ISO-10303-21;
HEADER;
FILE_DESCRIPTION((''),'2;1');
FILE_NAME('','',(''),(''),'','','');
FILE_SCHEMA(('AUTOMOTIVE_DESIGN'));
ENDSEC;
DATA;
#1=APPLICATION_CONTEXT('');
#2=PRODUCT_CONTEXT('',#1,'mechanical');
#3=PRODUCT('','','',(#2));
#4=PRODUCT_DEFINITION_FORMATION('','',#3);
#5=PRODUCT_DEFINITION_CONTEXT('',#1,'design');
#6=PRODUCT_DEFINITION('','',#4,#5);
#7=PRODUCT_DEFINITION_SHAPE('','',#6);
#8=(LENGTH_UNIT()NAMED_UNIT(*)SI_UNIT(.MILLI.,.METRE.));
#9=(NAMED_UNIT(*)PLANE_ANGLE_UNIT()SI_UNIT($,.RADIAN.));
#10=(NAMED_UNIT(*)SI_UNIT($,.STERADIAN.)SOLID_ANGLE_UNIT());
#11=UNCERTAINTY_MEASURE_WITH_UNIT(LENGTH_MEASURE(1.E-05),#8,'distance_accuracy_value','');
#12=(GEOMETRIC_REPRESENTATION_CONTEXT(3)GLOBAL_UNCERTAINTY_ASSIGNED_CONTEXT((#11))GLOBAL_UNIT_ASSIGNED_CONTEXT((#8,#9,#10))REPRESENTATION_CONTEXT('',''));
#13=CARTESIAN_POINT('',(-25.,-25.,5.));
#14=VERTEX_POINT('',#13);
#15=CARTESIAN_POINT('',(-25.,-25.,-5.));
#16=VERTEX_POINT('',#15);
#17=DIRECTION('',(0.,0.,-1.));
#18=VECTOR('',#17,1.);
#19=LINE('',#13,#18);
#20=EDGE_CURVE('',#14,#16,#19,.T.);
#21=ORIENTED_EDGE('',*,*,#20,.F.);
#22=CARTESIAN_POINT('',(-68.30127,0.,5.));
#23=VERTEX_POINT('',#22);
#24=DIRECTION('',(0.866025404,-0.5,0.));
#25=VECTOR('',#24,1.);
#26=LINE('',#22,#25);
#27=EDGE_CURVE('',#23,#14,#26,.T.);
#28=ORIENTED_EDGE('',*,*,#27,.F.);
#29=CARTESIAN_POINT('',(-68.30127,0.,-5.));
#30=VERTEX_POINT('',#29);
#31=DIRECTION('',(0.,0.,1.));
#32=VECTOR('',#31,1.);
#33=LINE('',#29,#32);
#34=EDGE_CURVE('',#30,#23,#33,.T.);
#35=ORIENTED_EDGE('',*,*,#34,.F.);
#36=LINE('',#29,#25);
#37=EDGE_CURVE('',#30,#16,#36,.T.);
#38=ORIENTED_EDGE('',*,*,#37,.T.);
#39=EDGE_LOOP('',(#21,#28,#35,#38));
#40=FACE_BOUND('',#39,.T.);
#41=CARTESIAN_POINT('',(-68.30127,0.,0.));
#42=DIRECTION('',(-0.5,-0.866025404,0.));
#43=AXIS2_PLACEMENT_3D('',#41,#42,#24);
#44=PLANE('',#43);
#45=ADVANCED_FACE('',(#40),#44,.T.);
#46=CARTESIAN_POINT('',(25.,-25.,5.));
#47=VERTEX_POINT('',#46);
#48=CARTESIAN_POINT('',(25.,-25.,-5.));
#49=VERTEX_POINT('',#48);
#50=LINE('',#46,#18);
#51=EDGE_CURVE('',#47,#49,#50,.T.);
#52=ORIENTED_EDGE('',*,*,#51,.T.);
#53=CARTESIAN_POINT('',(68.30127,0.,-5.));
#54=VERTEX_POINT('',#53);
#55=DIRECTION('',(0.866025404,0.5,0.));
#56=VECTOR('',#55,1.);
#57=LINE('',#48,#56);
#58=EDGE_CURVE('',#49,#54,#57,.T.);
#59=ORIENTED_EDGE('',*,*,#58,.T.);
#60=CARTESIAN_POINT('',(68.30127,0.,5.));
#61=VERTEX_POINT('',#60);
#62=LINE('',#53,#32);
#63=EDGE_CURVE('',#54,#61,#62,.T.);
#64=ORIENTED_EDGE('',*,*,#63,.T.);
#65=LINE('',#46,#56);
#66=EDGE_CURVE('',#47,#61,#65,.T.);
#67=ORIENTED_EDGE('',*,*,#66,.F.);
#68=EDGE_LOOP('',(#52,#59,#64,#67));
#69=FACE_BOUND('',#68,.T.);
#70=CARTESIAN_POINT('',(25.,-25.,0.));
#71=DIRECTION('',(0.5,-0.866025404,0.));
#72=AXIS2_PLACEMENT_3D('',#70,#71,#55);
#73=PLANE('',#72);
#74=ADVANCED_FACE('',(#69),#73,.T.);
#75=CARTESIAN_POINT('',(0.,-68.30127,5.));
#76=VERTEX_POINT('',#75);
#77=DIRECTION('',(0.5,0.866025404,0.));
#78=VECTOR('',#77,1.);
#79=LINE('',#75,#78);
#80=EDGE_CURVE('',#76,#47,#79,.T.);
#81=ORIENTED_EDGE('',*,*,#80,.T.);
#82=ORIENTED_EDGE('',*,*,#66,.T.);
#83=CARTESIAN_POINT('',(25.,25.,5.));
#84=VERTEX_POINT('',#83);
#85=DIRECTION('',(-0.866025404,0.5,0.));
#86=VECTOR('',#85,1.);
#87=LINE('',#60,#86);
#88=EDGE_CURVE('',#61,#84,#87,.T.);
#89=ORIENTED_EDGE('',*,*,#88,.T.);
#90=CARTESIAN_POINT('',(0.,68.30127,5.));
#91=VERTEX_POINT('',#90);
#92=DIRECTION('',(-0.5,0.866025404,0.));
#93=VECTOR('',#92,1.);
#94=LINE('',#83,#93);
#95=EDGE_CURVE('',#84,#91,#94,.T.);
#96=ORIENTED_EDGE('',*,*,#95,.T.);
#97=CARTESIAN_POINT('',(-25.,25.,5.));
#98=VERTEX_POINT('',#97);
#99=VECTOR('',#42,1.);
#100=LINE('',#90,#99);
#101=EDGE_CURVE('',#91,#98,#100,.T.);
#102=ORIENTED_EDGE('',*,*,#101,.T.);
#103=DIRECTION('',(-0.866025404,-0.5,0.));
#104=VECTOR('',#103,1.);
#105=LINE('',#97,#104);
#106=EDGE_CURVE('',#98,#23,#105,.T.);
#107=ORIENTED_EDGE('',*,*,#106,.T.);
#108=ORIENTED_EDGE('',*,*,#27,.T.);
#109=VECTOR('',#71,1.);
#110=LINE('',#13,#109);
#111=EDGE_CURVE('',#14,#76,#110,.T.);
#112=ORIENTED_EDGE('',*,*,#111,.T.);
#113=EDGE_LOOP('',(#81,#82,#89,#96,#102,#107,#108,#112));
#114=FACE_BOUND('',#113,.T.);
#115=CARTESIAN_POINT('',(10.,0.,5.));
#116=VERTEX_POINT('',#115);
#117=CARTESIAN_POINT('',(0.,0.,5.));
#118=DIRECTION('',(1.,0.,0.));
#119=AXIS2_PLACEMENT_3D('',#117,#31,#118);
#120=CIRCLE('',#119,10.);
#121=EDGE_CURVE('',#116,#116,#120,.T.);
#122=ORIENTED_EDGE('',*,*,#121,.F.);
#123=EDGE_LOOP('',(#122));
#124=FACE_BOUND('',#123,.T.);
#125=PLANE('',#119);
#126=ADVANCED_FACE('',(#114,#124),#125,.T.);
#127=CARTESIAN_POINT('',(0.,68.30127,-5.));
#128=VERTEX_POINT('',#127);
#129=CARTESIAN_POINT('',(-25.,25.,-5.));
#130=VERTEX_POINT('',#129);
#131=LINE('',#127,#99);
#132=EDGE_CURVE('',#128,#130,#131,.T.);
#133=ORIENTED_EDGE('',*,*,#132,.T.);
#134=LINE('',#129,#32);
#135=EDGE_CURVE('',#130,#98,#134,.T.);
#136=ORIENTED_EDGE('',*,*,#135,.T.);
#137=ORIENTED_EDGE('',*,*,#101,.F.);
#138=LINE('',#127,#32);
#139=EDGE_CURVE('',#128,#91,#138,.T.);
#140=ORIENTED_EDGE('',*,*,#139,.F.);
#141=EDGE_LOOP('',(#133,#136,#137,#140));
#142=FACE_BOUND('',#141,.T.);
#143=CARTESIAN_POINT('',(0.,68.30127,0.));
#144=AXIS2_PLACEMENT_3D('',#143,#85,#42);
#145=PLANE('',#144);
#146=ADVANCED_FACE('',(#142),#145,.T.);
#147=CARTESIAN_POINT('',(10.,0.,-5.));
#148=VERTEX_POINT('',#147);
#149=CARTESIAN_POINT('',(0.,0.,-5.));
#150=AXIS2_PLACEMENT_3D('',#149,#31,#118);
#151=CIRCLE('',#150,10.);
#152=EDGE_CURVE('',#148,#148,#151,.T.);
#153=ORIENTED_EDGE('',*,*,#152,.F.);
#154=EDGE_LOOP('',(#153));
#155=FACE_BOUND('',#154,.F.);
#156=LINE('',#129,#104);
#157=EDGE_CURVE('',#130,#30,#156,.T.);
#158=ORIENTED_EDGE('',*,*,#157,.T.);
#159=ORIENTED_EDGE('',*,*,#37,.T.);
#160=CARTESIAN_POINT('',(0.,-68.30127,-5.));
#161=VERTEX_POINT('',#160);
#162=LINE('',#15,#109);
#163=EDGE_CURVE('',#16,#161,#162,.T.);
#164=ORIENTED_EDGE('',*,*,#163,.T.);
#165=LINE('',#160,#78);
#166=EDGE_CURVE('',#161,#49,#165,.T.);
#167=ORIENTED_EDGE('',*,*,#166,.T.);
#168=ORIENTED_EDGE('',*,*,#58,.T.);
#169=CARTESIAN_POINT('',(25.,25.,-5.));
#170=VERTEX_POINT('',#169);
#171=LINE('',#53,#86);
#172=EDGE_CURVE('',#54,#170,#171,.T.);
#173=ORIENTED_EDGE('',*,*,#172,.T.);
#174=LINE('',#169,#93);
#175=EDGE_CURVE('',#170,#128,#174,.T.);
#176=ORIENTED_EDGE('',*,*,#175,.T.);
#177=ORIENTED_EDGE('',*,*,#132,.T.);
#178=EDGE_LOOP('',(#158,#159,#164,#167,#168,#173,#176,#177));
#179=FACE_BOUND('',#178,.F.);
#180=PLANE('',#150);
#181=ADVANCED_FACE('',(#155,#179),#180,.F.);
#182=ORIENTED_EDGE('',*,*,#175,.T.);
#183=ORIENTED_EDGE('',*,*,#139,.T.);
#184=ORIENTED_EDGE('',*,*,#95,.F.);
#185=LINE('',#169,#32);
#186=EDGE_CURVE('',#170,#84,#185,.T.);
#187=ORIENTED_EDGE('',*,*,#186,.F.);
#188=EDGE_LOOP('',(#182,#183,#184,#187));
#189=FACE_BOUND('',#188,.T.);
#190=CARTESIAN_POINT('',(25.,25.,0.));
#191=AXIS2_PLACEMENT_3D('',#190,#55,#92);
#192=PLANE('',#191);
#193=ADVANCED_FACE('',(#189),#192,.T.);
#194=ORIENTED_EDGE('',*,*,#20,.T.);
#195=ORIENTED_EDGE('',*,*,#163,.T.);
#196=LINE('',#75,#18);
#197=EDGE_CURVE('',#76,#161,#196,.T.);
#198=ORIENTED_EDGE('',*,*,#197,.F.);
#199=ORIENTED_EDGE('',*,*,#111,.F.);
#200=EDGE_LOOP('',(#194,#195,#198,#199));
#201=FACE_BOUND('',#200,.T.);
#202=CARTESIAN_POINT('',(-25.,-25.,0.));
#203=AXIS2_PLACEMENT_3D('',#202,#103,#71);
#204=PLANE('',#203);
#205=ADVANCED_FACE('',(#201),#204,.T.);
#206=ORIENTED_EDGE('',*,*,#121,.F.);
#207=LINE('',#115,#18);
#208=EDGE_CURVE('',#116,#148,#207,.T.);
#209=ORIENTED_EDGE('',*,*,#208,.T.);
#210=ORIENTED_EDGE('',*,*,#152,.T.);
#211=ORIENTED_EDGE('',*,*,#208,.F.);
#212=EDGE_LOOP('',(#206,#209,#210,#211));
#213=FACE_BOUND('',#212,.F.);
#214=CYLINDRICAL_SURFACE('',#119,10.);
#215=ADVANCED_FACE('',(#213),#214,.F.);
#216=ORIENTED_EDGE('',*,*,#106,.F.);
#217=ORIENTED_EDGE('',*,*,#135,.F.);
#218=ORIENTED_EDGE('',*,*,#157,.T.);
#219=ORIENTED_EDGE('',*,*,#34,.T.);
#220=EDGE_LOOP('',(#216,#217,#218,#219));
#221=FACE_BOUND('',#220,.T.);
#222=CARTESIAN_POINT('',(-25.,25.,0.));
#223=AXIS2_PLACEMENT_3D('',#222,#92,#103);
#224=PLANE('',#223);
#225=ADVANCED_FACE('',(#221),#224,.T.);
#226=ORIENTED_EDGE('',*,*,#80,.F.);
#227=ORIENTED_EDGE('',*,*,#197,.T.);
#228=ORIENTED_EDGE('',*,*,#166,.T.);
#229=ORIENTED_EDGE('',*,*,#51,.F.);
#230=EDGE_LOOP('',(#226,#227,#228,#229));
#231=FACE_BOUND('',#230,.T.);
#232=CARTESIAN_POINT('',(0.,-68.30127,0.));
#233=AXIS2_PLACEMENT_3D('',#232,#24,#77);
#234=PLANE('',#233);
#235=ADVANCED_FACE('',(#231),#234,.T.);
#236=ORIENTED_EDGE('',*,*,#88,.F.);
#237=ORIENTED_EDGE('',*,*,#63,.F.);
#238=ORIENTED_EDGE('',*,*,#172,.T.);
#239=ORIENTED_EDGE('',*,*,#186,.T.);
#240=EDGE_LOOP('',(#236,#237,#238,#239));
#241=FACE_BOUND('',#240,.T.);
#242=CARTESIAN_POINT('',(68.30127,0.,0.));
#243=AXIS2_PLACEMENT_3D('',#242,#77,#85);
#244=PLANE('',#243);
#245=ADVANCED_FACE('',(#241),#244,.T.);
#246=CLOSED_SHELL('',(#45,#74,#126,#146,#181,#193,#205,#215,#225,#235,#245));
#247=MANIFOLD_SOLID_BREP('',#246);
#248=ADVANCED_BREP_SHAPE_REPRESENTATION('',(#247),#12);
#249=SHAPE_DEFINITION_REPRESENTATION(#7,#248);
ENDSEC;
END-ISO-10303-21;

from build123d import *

# Parameters (mm, degrees)
F0_W          = 50
F0_H          = 50
F1_DEPTH      = 5
F1_DEPTH_BACK = 5
F2_R          = 10
F3_DEPTH      = 10.001


with BuildPart() as f1:
    # F0 (on Top) → F1 (new body, two sides)
    with BuildSketch(Plane.XY) as f1_sk:
        Rectangle(F0_W, F0_H)
        Polygon((68.3012701892, 0), (25, 25), (25, -25), align=None)
        Polygon((-25, 25), (25, 25), (0, 68.3012701892), align=None)
        Polygon((-25, -25), (-25, 25), (-68.3012701892, 0), align=None)
        Polygon((0, -68.3012701892), (25, -25), (-25, -25), align=None)
    extrude(amount=F1_DEPTH)
    extrude(f1_sk.sketch, amount=-F1_DEPTH_BACK)

    # F2 (on face) → F3 (cut, through all)
    with BuildSketch(Plane.XY.offset(5)):
        Circle(F2_R)
    extrude(amount=-F3_DEPTH, mode=Mode.SUBTRACT)


solid = f1.part
